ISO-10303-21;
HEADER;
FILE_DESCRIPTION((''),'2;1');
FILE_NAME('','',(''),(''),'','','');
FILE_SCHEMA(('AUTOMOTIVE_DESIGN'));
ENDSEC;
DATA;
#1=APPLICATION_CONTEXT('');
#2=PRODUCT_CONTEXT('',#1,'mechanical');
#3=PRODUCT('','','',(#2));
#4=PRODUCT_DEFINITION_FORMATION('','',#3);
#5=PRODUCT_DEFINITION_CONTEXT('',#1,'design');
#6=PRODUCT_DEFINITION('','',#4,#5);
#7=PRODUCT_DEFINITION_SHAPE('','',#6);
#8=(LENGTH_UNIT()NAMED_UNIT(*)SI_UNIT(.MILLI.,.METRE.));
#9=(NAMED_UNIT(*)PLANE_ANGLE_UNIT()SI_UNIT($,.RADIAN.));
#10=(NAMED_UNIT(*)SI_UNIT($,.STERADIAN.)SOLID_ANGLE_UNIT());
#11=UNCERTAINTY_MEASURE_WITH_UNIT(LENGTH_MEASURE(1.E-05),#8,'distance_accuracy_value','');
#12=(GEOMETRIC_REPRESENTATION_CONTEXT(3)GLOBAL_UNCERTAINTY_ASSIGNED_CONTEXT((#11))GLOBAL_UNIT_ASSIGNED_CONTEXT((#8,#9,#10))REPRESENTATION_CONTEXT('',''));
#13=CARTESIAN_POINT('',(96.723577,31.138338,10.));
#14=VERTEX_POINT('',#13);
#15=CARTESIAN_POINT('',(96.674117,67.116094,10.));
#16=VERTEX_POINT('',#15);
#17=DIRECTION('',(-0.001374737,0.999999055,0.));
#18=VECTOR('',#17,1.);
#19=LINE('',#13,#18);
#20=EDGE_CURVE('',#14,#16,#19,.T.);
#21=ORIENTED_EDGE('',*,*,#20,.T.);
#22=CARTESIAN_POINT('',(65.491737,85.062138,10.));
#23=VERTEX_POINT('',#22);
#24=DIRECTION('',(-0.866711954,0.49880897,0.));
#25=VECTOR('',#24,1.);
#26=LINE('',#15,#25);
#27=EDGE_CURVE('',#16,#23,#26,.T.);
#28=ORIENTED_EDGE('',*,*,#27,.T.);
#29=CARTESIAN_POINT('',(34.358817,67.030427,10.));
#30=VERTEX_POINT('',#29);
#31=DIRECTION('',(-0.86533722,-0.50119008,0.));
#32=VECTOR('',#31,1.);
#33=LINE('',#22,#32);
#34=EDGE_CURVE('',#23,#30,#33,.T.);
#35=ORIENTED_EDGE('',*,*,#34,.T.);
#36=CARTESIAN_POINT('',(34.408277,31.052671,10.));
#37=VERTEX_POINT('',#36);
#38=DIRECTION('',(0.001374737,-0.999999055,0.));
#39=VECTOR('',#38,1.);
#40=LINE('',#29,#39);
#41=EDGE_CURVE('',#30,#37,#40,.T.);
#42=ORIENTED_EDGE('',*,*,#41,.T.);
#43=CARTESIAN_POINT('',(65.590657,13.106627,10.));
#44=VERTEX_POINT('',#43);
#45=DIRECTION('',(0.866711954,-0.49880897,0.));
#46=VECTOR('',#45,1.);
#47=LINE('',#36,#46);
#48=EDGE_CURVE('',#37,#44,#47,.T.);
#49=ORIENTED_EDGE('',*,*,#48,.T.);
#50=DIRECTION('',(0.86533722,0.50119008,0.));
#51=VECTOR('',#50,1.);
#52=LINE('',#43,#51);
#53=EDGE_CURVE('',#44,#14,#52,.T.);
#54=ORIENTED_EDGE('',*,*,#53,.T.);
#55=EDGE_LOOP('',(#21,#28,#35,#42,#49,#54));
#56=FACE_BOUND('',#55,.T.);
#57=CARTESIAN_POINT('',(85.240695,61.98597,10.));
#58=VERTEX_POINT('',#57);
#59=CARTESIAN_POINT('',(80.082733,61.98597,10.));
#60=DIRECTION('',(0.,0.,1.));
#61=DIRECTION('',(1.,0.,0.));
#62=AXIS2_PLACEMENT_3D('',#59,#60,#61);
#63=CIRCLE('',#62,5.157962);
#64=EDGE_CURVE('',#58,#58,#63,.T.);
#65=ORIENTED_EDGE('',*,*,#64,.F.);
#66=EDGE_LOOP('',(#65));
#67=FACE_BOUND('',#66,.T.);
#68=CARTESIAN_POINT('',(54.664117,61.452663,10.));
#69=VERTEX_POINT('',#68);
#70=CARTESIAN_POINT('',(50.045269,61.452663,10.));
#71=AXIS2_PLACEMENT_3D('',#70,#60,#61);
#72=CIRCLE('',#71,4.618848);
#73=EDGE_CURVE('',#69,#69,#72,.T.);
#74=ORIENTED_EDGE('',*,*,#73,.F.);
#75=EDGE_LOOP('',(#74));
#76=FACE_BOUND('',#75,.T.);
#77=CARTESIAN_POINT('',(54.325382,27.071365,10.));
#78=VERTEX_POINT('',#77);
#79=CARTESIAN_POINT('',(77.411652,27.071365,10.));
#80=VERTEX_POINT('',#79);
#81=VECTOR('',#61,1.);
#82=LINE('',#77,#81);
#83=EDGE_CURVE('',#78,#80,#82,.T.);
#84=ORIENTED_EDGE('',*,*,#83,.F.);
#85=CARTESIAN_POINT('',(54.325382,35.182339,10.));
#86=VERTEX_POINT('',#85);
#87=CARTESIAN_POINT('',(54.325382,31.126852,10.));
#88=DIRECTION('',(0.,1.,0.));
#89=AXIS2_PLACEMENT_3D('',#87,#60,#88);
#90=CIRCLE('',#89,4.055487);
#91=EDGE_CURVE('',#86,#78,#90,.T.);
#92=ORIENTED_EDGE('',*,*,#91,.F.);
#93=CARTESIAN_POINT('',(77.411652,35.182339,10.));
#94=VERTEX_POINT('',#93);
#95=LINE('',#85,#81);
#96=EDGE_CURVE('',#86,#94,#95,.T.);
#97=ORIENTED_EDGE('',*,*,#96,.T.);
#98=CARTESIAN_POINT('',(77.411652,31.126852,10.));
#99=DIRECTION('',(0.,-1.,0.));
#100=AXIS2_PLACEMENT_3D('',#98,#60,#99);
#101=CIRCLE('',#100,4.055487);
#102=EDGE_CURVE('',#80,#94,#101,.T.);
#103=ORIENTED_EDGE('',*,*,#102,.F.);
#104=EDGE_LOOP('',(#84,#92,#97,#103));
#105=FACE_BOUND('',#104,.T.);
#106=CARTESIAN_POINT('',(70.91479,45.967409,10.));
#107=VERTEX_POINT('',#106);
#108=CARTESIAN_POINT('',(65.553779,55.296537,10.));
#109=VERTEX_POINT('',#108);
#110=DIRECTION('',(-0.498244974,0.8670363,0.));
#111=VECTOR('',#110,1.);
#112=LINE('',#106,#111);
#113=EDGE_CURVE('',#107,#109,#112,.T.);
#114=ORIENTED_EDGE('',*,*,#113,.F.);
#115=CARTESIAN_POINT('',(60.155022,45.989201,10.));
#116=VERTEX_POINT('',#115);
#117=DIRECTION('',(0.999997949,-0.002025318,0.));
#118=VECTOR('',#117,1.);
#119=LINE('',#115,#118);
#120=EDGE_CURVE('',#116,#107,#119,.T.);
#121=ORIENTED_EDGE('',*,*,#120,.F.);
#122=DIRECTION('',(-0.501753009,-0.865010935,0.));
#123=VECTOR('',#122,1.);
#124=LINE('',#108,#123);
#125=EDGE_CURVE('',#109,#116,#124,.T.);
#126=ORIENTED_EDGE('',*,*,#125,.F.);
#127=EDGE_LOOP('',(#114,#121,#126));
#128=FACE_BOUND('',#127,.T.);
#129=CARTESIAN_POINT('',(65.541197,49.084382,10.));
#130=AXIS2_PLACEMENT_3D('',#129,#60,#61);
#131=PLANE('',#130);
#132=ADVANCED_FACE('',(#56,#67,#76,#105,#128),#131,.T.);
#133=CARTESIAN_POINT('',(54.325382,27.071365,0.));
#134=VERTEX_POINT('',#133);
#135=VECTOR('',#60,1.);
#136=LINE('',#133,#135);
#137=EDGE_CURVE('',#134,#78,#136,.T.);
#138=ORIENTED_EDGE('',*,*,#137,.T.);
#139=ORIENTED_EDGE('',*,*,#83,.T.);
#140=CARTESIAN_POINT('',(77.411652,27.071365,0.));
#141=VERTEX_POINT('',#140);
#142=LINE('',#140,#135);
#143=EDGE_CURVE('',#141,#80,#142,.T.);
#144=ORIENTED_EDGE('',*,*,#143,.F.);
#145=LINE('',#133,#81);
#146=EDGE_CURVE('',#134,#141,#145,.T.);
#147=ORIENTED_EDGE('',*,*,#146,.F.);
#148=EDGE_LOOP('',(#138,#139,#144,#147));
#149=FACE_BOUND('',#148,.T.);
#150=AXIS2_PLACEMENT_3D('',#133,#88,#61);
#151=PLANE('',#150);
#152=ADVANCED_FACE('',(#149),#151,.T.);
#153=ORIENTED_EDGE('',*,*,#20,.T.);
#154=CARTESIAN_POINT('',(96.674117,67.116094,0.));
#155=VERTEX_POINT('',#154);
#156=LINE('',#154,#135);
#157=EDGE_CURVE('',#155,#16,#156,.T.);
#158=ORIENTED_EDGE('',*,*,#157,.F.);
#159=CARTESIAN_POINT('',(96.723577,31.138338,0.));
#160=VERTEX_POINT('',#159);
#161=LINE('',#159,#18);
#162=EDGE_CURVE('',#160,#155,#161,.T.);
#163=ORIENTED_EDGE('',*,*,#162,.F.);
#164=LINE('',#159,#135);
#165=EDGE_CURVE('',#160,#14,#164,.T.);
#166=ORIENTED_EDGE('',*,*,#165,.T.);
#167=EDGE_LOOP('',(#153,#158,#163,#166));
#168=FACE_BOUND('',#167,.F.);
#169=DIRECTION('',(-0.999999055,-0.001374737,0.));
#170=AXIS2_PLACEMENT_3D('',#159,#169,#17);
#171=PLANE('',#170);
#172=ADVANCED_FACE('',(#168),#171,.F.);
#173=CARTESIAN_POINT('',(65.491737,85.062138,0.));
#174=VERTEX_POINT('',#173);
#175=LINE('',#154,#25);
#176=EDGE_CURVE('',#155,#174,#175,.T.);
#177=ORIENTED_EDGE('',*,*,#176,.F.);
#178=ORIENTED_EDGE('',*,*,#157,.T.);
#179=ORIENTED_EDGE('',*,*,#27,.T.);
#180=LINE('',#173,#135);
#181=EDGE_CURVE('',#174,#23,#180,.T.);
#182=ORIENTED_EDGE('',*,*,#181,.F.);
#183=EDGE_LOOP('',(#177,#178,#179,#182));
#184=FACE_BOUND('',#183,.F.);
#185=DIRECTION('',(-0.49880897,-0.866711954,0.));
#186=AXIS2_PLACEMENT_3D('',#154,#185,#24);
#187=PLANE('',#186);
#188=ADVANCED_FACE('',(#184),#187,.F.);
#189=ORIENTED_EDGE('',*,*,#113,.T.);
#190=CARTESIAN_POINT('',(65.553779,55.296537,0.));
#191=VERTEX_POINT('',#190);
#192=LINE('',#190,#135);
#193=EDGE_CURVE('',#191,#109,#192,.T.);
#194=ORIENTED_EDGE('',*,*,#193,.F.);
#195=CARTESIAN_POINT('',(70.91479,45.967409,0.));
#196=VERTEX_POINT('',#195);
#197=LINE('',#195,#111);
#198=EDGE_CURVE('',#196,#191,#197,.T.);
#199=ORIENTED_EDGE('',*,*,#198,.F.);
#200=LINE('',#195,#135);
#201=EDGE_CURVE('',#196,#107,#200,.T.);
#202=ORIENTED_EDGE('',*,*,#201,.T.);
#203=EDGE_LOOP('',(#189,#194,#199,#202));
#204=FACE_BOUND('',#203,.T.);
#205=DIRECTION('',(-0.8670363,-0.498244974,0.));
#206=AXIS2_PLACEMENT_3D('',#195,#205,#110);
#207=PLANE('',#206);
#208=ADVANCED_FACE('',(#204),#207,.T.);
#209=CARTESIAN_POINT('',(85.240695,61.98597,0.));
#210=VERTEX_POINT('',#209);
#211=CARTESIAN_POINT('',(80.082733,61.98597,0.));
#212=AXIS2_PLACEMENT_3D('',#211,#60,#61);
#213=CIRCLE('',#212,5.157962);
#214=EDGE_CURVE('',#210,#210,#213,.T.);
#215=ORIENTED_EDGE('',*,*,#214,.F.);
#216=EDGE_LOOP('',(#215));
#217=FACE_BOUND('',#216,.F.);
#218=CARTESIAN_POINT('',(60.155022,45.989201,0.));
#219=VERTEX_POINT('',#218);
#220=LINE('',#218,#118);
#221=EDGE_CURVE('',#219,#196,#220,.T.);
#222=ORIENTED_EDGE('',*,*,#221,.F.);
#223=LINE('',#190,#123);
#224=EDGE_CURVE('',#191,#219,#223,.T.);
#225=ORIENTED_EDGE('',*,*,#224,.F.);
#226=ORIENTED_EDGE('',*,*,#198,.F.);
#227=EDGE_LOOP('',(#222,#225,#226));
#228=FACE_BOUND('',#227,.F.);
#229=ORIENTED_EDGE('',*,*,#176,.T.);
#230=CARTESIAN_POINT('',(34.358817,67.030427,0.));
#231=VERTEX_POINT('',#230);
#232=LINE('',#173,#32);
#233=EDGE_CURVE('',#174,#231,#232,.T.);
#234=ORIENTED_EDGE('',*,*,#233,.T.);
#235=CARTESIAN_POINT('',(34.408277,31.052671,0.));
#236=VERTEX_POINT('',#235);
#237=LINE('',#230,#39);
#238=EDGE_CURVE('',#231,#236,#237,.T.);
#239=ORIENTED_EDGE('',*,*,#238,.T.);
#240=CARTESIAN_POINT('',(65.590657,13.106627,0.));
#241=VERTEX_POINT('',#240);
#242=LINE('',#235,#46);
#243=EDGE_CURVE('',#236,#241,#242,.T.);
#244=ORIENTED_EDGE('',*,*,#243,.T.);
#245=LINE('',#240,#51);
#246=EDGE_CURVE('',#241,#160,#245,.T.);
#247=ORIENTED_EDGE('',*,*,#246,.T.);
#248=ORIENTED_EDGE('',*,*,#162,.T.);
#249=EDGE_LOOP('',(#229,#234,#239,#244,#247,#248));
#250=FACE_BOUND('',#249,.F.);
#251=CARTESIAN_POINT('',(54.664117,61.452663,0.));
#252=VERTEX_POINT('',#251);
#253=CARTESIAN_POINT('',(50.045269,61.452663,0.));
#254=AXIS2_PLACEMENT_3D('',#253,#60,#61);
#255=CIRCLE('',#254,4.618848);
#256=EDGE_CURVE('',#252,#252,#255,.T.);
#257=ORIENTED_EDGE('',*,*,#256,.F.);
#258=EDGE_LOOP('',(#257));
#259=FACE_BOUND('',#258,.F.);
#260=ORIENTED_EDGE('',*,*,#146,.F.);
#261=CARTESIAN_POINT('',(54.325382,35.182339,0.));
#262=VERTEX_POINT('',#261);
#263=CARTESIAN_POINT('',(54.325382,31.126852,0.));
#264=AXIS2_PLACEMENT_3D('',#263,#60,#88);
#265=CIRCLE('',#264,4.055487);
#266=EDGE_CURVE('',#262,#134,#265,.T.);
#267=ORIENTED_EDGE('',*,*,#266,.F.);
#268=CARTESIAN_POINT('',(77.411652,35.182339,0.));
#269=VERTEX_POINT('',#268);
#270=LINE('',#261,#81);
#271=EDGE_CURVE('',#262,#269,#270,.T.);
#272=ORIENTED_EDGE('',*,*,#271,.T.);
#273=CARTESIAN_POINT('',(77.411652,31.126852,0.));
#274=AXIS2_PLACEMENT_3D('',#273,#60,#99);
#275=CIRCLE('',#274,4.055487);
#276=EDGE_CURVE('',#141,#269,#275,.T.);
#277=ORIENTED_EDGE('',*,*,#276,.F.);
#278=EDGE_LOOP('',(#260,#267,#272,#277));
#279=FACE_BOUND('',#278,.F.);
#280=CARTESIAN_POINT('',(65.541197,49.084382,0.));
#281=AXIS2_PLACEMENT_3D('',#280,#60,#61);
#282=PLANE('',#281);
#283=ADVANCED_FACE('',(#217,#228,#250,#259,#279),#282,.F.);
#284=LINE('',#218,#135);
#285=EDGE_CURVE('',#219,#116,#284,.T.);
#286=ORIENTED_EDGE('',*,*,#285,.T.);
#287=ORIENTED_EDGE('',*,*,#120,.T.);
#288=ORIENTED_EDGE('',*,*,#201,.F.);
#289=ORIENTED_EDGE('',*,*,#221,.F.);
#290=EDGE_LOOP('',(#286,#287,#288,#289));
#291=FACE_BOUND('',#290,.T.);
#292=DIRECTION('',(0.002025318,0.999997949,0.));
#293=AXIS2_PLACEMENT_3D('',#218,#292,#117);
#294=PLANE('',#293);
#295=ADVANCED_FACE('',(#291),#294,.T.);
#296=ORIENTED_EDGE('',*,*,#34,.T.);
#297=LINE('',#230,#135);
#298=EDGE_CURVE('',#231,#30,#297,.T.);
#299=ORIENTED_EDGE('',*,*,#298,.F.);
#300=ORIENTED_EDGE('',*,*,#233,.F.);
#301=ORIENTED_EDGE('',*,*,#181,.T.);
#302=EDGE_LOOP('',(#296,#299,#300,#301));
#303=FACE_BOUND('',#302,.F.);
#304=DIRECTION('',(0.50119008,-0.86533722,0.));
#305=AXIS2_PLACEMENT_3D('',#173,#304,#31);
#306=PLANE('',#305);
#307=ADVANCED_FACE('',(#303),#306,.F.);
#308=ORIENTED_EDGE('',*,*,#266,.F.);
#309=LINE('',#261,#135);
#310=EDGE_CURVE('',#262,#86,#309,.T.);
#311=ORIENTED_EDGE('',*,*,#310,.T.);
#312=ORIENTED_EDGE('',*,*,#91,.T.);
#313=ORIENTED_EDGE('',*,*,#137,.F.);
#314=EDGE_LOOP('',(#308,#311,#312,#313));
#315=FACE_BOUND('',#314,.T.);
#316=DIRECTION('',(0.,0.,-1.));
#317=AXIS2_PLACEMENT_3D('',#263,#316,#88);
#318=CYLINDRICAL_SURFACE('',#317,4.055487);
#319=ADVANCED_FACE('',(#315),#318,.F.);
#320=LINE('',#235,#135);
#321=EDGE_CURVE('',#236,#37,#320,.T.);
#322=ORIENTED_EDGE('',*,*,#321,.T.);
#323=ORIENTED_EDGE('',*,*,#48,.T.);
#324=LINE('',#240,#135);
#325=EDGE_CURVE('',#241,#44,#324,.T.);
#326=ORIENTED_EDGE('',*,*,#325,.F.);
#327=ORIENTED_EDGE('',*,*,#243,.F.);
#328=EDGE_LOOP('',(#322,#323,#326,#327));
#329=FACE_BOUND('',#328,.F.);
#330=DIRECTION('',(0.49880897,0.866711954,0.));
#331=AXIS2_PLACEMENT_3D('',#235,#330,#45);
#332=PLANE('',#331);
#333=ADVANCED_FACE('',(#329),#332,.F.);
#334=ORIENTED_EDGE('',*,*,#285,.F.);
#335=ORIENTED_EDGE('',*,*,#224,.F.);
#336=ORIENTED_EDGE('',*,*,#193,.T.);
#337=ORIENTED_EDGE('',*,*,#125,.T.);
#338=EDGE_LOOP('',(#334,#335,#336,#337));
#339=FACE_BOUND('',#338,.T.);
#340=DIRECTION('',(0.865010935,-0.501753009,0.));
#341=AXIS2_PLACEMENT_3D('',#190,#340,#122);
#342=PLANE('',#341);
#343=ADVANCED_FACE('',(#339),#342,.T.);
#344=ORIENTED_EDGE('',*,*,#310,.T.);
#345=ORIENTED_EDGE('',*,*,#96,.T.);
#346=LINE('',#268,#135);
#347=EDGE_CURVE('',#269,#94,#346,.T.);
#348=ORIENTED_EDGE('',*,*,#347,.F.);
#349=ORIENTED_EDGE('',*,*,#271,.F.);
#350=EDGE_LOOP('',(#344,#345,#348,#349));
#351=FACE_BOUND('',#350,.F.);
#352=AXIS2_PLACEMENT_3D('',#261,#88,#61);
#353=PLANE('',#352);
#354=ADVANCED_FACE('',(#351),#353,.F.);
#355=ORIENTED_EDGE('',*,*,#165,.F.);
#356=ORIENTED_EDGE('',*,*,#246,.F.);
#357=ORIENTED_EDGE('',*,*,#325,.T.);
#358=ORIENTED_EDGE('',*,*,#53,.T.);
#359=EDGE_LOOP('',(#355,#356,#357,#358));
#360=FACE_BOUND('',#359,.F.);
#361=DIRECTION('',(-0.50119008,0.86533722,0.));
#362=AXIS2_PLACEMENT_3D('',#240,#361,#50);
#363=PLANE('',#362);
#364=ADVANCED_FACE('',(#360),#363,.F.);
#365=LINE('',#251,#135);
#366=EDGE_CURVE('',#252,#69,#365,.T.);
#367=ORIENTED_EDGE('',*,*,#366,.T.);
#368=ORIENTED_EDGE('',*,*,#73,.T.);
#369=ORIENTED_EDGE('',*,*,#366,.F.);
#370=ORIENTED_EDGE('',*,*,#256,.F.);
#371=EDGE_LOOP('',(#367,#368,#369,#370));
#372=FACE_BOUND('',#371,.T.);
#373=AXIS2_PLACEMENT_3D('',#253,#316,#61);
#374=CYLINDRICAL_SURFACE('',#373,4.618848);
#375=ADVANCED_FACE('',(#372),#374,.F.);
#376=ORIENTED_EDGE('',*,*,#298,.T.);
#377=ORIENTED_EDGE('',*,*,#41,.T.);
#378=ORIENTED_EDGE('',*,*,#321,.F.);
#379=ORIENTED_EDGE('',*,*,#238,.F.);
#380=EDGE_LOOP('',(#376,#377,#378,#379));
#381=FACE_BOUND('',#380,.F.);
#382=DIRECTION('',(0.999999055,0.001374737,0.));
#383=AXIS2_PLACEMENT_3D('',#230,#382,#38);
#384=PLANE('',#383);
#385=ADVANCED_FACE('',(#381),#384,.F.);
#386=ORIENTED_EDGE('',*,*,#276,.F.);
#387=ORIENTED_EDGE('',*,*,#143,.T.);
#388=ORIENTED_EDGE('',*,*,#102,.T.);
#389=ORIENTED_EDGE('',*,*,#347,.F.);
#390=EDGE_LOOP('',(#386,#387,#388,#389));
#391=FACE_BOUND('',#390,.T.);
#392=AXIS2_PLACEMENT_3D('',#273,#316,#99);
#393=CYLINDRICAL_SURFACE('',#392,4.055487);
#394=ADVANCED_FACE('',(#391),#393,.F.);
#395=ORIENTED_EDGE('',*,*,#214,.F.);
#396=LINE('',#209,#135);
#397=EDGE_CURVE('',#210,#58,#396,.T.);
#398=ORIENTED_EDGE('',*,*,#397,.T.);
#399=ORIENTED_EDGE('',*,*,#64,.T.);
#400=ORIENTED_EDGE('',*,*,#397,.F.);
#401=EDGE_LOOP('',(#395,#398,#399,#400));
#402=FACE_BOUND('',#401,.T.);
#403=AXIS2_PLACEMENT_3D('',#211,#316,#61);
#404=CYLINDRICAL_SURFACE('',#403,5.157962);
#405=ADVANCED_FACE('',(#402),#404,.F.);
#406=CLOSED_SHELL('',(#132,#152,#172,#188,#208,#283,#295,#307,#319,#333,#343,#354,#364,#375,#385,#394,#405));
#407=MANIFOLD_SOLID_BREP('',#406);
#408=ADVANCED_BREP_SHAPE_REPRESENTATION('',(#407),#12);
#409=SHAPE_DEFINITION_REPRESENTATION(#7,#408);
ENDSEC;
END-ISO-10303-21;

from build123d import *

# Parameters (mm, degrees)
SKETCH_R   = 4.618848
SKETCH_R_2 = 5.157962
PAD_DEPTH  = 10


with BuildPart() as part:
    # Sketch → Pad (new body)
    with BuildSketch(Plane.XY):
        Polygon((96.723577, 31.138338), (96.674117, 67.116094), (65.491737, 85.062138), (34.358817, 67.030427), (34.408277, 31.052671), (65.590657, 13.106627), align=None)
        with Locations((50.045269, 61.452663)):
            Circle(SKETCH_R, mode=Mode.SUBTRACT)
        with Locations((80.082733, 61.98597)):
            Circle(SKETCH_R_2, mode=Mode.SUBTRACT)
        with BuildLine():
            ThreePointArc((54.325382, 35.182339), (50.269895, 31.126852), (54.325382, 27.071365))
            Line((54.325382, 27.071365), (77.411652, 27.071365))
            ThreePointArc((77.411652, 27.071365), (81.467139, 31.126852), (77.411652, 35.182339))
            Line((54.325382, 35.182339), (77.411652, 35.182339))
        make_face(mode=Mode.SUBTRACT)
        Polygon((65.553779, 55.296537), (60.155022, 45.989201), (70.91479, 45.967409), align=None, mode=Mode.SUBTRACT)
    extrude(amount=PAD_DEPTH)


solid = part.part
